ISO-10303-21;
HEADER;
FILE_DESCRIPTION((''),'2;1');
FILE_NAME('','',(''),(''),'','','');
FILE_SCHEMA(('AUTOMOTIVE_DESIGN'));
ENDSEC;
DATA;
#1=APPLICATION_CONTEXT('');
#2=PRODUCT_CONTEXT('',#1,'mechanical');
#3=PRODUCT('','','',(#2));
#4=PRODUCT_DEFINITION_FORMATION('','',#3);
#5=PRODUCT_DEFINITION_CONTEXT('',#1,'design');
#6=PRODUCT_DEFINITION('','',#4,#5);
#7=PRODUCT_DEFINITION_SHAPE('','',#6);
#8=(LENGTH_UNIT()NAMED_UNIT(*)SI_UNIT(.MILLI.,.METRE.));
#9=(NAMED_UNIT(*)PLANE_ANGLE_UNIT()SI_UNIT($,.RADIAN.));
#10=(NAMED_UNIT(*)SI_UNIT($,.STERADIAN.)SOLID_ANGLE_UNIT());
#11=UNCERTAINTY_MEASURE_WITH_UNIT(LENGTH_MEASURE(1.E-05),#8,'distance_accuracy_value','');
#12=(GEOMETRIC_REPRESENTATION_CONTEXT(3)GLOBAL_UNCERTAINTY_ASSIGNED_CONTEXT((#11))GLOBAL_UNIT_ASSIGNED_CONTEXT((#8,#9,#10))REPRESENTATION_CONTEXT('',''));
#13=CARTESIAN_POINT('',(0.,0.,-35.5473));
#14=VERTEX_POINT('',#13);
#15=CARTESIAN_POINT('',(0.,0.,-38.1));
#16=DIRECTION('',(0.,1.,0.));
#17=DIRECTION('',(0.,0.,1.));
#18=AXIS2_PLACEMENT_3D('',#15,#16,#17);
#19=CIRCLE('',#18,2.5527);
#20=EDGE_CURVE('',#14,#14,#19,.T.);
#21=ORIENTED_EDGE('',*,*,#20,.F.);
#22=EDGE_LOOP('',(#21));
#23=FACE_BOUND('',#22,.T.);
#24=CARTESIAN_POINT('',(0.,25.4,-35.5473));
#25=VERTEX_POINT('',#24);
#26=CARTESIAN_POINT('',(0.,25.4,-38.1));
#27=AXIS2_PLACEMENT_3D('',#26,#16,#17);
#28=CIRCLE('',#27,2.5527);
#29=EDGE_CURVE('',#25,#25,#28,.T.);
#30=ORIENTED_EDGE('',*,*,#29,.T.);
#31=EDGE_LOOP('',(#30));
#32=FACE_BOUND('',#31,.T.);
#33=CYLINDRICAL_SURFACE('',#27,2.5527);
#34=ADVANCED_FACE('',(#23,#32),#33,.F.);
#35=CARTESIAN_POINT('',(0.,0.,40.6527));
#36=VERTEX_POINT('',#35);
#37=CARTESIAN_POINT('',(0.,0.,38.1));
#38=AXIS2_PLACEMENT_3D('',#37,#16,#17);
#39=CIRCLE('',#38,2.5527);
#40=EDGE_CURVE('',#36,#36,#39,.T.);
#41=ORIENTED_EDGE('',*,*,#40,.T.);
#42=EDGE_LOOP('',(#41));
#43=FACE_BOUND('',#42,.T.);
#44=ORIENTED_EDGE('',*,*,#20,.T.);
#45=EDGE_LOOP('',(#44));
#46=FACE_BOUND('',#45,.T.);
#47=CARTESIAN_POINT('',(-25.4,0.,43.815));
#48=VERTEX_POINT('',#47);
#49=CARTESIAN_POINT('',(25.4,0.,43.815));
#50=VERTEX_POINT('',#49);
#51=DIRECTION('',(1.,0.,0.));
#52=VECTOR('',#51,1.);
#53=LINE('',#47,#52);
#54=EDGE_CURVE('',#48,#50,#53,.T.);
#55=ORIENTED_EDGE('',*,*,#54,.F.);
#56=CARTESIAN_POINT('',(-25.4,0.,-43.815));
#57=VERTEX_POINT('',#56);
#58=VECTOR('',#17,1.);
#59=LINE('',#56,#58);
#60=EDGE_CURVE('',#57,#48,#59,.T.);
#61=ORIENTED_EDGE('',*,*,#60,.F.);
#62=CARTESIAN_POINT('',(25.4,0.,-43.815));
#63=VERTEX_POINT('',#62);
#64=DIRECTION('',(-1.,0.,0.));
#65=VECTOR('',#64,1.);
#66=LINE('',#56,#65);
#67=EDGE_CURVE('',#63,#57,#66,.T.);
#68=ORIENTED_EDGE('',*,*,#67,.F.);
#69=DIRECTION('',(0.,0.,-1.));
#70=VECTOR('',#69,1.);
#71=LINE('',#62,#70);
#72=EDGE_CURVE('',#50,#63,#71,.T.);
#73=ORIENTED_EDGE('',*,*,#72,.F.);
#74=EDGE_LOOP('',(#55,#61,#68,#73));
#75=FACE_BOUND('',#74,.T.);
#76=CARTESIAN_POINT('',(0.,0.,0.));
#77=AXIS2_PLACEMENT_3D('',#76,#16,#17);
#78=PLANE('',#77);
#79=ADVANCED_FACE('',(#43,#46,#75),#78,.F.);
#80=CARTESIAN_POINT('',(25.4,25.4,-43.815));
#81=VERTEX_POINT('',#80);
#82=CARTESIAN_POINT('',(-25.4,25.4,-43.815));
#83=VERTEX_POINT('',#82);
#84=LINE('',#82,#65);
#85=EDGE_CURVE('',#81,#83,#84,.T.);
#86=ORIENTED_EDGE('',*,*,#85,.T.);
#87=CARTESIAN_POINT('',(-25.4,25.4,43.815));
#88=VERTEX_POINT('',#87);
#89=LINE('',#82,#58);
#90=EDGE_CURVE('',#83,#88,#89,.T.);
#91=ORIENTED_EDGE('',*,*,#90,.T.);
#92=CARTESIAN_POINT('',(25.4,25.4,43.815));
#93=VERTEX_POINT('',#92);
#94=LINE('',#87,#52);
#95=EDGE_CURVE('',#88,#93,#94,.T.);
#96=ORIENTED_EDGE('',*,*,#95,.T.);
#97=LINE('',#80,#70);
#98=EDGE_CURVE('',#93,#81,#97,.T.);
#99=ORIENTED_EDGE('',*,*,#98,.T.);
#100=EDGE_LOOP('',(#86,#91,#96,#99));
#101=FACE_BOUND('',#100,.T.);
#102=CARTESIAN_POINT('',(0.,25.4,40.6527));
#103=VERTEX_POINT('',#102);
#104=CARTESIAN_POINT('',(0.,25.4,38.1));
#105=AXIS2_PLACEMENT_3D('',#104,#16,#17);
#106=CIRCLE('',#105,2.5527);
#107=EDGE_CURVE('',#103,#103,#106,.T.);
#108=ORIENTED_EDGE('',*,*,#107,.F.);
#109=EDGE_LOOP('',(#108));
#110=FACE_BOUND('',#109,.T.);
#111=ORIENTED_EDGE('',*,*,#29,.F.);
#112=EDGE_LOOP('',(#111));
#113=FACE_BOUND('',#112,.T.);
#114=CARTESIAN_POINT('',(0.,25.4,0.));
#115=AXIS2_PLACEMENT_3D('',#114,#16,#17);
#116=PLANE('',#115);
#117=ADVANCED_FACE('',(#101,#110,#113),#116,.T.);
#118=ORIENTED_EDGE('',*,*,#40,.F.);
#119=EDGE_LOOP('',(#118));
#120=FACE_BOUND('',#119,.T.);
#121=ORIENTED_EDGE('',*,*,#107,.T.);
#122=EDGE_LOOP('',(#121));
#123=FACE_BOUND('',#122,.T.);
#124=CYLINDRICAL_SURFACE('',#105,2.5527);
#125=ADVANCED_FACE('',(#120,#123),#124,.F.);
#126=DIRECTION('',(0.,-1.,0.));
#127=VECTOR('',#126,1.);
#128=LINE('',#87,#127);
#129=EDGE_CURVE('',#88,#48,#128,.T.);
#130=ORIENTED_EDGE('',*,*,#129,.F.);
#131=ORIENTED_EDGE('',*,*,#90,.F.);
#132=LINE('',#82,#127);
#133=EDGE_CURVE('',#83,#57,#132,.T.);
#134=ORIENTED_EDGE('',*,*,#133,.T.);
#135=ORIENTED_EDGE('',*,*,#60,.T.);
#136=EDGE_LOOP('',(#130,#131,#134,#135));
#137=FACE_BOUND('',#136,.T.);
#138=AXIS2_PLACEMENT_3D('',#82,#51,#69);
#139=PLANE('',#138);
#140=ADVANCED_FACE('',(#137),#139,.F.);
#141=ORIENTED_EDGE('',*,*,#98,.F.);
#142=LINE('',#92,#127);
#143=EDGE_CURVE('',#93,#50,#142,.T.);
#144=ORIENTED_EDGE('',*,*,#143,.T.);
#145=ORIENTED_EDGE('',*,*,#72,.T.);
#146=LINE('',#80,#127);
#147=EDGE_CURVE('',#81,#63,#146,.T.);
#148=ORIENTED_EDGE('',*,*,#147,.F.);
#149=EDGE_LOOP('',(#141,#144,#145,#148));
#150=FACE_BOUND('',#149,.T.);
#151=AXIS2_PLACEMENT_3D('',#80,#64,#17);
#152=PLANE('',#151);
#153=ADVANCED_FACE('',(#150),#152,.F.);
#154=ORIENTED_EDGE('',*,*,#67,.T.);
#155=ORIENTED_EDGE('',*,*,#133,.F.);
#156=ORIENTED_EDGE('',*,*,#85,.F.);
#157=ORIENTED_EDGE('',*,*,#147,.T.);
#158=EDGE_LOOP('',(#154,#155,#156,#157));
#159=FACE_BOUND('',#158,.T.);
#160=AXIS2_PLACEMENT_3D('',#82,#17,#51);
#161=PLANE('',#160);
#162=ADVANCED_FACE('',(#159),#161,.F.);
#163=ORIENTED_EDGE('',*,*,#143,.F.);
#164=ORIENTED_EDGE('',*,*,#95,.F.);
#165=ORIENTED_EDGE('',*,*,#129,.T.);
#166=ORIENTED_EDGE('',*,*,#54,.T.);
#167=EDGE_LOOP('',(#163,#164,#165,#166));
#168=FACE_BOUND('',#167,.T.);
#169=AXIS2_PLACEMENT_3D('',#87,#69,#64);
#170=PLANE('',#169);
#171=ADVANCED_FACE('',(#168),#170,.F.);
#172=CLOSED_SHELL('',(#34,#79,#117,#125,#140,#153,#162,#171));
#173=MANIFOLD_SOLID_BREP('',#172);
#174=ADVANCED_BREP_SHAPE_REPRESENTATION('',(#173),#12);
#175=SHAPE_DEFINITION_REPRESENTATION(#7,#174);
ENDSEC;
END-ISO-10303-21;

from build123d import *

# Parameters (mm, degrees)
SKETCH1_W              = 50.8
SKETCH1_H              = 87.63
BOSS_EXTRUDE1_DEPTH    = 25.4
F_10_CLEARANCE_HOLE1_D = 5.1054


with BuildPart() as part:
    # Sketch1 → Boss-Extrude1 (new body)
    with BuildSketch(Plane(origin=(0, 0, 0), x_dir=(1, 0, 0), z_dir=(0, 1, 0))):
        Rectangle(SKETCH1_W, SKETCH1_H)
    extrude(amount=BOSS_EXTRUDE1_DEPTH)

    # #10 Clearance Hole1 (through all)
    with Locations(Plane(origin=(0, 25.4, 0), x_dir=(1, 0, 0), z_dir=(0, 1, 0))):
        with Locations((0, -38.1), (0, 38.1)):
            Hole(F_10_CLEARANCE_HOLE1_D / 2)


solid = part.part
